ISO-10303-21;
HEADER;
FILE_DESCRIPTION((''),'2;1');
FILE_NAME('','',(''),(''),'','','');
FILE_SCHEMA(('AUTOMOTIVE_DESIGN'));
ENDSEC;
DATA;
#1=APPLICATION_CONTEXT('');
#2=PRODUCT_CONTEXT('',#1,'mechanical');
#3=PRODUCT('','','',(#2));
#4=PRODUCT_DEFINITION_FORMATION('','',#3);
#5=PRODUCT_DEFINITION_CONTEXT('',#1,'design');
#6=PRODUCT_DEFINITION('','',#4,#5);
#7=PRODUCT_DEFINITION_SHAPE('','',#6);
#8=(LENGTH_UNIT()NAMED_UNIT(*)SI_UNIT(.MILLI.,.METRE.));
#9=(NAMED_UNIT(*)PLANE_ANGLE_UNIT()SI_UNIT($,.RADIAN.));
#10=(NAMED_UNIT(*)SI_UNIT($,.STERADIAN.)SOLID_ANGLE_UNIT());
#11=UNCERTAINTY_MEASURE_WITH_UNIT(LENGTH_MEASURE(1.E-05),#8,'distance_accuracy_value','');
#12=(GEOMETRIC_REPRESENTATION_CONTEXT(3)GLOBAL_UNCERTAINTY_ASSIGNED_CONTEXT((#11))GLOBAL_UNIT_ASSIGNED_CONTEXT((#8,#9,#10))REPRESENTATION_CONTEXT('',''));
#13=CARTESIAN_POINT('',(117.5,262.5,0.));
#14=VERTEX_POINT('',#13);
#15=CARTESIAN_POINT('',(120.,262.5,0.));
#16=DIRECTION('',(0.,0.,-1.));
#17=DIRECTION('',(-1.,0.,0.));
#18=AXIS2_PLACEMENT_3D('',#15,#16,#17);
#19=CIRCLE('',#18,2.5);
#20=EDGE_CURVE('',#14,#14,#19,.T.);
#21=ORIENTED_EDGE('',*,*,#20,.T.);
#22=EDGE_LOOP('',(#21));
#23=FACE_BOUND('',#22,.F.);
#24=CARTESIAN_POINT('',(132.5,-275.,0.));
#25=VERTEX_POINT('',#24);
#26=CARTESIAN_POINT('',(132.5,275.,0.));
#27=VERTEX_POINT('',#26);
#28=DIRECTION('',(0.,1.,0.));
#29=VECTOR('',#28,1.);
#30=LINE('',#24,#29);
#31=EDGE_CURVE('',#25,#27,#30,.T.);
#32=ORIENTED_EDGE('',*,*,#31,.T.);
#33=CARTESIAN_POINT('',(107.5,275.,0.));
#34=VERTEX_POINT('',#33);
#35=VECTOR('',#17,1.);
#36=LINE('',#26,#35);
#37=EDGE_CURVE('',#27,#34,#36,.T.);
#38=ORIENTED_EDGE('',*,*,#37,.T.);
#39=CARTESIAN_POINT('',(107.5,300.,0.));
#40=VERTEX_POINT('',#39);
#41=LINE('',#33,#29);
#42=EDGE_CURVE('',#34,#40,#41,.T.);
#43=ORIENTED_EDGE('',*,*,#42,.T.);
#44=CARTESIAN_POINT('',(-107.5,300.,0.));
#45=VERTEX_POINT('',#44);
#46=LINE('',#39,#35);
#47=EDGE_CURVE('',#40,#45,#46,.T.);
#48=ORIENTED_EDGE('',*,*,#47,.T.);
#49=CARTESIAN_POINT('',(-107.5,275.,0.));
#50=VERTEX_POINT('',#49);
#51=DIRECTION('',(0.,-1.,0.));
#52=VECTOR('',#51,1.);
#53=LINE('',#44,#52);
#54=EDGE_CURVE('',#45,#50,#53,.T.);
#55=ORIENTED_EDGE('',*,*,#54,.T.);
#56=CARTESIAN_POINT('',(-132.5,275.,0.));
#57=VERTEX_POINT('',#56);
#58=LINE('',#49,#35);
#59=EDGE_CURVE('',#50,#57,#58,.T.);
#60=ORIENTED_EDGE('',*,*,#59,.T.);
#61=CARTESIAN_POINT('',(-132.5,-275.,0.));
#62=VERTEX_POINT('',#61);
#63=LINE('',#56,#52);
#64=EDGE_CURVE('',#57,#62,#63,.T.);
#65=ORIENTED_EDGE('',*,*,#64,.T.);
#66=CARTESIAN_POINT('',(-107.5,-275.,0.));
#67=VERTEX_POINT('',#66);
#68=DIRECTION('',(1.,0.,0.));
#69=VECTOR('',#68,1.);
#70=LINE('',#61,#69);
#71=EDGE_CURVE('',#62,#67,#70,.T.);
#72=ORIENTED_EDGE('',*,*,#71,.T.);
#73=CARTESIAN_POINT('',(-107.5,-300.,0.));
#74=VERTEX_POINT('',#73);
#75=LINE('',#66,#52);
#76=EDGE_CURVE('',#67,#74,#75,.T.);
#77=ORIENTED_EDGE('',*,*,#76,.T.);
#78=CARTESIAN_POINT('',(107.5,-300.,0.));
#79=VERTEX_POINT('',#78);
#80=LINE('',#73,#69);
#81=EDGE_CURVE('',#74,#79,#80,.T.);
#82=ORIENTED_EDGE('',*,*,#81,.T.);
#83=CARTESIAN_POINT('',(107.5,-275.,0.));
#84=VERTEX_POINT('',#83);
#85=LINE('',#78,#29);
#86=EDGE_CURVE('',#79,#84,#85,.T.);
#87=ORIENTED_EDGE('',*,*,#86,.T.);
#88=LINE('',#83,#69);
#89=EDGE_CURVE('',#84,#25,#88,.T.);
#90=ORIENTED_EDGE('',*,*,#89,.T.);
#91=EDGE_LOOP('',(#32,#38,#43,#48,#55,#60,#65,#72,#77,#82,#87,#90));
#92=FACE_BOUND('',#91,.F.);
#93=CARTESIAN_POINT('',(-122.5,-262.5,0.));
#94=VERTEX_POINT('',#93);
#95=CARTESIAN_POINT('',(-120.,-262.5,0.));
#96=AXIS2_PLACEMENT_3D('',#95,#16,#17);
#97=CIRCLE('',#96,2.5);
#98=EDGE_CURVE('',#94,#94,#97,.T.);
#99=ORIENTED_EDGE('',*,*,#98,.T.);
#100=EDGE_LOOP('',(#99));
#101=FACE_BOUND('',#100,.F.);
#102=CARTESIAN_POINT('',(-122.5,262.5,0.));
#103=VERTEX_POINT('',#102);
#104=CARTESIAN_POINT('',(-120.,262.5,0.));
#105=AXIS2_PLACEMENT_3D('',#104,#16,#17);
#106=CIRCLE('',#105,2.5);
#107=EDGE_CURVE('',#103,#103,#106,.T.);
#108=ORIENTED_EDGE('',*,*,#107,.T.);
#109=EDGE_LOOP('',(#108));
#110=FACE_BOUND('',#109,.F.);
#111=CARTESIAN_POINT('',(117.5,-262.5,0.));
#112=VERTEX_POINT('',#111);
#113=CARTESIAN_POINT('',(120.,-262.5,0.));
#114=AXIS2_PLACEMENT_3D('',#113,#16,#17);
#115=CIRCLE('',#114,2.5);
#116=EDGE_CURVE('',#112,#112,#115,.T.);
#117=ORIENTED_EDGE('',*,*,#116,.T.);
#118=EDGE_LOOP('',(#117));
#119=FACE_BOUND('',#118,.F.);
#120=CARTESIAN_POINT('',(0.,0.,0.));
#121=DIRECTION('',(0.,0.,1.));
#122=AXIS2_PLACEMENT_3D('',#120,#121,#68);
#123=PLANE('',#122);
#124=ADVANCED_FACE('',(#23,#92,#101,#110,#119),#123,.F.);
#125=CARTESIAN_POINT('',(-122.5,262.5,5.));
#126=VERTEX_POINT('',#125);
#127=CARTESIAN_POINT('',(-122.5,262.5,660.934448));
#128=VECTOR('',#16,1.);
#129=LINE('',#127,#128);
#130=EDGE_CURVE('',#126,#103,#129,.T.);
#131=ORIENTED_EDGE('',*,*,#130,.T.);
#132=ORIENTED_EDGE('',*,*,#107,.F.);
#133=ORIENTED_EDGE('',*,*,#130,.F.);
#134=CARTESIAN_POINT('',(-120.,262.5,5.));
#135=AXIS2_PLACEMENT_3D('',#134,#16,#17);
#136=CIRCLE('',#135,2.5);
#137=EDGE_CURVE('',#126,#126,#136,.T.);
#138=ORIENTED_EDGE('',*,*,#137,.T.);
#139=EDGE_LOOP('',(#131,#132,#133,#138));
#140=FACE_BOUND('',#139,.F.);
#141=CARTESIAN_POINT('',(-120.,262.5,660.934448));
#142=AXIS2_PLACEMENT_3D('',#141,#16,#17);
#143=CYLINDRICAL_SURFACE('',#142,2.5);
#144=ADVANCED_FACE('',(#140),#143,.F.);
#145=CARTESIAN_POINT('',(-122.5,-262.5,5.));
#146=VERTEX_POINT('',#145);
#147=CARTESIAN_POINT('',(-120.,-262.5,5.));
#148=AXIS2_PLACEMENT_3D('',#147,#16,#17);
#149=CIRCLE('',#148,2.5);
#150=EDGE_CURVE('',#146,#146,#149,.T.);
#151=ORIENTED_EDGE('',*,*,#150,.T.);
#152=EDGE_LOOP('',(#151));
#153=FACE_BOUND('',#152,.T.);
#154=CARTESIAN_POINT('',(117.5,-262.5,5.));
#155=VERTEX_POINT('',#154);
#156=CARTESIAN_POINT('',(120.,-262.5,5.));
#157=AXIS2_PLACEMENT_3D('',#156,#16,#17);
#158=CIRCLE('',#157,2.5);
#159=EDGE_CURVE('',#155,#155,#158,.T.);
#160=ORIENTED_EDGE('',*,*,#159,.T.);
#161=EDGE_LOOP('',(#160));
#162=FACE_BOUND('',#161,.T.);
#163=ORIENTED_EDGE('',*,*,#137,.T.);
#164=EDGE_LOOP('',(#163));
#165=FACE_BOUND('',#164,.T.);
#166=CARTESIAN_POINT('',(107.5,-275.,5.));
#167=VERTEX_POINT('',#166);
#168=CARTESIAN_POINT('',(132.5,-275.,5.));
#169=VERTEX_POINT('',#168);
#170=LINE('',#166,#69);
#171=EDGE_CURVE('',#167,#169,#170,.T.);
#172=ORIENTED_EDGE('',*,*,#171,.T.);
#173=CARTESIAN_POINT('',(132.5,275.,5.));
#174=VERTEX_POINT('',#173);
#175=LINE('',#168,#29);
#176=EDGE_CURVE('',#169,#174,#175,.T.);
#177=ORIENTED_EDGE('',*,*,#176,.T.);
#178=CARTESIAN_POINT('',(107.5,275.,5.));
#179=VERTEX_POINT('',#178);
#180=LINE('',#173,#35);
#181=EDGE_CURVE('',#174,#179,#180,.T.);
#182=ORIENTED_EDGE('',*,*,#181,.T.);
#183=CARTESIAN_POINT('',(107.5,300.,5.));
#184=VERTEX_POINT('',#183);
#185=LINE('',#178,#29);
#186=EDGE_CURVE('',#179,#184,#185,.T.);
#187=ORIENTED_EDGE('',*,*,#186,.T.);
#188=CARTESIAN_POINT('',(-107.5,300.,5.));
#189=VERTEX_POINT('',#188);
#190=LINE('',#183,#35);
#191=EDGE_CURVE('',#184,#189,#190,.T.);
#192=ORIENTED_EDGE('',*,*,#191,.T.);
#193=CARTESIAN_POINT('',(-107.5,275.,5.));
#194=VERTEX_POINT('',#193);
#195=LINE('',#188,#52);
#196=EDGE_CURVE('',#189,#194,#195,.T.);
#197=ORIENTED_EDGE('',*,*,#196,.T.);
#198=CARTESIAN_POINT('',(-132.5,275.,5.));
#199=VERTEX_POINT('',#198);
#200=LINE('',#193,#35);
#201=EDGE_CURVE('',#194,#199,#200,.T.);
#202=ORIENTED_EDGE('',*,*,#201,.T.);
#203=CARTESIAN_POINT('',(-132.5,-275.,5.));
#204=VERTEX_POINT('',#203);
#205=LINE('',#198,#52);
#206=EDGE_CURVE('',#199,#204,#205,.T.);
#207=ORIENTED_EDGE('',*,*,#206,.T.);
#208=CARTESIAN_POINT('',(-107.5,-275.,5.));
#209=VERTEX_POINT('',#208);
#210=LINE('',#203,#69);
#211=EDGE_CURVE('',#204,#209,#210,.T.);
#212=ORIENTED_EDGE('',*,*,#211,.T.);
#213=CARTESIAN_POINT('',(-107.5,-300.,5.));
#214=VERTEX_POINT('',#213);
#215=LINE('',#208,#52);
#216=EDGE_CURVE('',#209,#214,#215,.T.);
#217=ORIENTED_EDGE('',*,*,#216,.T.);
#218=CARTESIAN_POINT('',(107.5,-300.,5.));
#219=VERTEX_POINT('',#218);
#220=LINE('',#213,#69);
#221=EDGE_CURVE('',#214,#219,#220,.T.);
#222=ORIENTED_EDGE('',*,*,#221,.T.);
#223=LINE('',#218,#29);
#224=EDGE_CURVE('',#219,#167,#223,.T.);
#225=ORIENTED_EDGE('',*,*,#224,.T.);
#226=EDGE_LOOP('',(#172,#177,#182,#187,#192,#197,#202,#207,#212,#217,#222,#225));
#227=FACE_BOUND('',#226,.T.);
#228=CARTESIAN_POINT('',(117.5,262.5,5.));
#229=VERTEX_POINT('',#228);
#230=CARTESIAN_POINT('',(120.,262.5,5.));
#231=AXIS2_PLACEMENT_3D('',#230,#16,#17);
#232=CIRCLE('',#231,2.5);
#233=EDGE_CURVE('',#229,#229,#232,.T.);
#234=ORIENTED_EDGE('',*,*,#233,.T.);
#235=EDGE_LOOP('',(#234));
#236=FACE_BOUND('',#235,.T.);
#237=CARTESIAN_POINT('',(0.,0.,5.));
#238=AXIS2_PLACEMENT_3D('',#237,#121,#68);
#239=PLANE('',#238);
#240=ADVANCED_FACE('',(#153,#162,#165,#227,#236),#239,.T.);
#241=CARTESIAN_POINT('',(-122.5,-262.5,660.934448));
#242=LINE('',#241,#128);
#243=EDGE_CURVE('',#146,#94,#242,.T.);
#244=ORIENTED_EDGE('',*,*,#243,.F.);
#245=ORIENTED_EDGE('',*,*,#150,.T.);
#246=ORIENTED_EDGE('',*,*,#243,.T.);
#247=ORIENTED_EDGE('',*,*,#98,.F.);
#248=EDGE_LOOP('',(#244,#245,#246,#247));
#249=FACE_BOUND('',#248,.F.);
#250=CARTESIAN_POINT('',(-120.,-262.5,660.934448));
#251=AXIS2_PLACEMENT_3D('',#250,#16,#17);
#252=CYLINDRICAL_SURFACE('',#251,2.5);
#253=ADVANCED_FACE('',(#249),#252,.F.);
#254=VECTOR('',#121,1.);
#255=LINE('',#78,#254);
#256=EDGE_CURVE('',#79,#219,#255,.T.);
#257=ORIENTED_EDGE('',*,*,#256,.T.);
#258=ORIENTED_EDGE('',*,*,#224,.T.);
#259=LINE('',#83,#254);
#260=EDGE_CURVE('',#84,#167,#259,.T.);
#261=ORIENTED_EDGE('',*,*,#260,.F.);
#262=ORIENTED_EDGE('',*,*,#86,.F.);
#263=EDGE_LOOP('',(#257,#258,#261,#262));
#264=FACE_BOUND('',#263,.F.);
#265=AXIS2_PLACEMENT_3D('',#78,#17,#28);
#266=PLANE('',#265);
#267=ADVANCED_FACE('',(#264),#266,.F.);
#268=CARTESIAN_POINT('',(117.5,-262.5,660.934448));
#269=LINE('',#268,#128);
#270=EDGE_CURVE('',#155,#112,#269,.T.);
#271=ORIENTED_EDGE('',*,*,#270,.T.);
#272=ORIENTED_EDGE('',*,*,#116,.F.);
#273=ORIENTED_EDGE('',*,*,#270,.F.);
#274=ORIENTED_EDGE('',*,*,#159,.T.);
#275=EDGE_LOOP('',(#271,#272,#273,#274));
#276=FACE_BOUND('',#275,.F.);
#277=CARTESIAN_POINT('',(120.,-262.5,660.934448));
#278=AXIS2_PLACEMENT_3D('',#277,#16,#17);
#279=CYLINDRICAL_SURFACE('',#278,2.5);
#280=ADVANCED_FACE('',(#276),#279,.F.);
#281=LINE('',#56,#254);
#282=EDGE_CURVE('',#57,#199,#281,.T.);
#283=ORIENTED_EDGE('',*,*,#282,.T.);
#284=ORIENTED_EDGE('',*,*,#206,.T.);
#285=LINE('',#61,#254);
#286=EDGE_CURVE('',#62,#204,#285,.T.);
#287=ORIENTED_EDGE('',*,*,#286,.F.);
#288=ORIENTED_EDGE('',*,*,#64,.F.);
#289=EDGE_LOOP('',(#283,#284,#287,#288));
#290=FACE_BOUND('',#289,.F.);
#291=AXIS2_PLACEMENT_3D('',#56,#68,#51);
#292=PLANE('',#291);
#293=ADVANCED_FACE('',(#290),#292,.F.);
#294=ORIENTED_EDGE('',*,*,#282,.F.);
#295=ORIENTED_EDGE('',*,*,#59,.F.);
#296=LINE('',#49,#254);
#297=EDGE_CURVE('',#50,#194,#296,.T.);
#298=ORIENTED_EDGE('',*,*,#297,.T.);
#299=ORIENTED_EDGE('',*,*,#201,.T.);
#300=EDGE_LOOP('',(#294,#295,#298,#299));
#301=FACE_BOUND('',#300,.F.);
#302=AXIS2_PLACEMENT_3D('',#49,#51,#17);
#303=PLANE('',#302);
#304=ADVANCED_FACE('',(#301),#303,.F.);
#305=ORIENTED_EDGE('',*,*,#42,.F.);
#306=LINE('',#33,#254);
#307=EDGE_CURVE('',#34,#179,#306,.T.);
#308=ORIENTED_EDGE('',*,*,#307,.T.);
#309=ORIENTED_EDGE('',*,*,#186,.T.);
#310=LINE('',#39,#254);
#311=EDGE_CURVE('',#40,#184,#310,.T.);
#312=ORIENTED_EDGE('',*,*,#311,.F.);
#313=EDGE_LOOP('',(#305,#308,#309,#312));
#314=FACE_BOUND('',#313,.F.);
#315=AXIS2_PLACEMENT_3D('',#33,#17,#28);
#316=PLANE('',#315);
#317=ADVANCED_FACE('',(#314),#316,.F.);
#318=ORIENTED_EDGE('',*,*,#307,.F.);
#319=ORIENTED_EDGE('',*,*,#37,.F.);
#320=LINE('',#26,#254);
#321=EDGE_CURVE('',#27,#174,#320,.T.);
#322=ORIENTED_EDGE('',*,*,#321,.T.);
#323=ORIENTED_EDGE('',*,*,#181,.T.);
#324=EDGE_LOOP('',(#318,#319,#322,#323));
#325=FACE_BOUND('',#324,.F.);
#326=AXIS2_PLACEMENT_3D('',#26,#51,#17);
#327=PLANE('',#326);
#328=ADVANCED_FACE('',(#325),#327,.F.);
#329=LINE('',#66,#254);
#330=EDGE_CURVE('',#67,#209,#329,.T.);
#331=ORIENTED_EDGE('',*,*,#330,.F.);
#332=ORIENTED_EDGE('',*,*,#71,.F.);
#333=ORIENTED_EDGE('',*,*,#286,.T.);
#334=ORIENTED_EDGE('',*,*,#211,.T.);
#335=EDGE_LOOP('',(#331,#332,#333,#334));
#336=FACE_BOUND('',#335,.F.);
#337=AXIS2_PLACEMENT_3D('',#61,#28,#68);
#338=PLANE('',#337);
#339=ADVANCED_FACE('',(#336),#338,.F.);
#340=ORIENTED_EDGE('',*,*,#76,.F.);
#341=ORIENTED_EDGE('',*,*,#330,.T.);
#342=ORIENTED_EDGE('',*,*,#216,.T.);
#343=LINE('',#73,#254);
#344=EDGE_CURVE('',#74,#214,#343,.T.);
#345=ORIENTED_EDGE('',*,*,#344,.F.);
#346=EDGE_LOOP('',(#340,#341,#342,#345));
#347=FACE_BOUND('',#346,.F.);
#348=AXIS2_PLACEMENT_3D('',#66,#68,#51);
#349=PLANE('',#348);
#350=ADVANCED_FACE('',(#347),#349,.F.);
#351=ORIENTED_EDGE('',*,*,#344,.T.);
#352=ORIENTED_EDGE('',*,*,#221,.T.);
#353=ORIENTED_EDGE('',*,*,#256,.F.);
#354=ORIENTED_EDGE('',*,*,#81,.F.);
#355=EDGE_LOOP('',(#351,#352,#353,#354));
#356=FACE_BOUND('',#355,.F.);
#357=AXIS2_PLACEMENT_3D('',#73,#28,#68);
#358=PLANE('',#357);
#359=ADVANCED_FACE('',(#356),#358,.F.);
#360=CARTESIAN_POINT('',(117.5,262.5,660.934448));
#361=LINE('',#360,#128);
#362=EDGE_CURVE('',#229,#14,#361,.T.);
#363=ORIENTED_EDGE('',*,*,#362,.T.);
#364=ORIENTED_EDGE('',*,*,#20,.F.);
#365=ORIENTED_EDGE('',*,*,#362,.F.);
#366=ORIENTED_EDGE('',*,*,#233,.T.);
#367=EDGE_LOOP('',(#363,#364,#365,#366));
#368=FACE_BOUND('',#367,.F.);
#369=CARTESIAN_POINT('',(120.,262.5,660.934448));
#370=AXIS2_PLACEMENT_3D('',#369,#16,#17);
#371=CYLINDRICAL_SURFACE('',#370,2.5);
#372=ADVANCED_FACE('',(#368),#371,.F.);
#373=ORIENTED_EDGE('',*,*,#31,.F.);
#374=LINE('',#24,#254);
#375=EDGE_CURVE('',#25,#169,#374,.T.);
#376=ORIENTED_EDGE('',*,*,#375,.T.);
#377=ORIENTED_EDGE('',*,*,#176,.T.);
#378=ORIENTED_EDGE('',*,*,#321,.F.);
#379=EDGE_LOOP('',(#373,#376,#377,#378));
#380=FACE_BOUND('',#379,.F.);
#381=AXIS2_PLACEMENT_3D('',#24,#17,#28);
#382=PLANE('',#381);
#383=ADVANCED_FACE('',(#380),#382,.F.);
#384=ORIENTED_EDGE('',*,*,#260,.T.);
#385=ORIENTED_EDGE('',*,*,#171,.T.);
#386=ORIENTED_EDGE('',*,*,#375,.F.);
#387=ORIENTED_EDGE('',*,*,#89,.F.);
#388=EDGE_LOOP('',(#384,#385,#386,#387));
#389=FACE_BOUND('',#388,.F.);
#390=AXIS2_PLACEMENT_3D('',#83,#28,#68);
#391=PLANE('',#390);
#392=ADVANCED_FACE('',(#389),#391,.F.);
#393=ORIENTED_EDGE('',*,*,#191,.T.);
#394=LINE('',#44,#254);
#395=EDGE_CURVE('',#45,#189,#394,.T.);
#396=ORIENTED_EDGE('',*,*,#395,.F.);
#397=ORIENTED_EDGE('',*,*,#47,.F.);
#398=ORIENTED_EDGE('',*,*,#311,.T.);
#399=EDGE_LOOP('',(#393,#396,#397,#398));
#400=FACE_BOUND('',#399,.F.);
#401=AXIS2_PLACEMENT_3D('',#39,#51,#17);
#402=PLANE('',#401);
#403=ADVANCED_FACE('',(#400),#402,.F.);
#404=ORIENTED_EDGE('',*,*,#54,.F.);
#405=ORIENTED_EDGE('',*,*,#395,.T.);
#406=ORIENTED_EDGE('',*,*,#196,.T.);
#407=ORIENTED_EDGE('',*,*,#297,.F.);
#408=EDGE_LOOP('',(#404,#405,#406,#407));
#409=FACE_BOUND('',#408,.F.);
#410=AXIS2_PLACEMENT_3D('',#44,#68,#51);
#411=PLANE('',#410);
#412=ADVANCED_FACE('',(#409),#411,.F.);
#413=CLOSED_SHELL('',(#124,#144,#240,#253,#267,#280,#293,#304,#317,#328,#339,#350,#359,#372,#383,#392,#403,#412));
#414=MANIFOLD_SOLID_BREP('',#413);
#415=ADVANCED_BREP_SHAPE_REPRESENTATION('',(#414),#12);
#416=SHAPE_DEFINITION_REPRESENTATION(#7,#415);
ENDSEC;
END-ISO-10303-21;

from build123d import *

# Parameters (mm, degrees)
F1_DEPTH = 5
F3_D     = 5


with BuildPart() as f1:
    # F0 (on Top) → F1 (new body)
    with BuildSketch(Plane.XY):
        Polygon((107.5, 275), (107.5, 300), (-107.5, 300), (-107.5, 275), (-132.5, 275), (-132.5, -275), (-107.5, -275), (-107.5, -300), (107.5, -300), (107.5, -275), (132.5, -275), (132.5, 275), align=None)
    extrude(amount=F1_DEPTH)

    # F3 (through all)
    with Locations(Plane.XY.offset(5)):
        with Locations((-120, 262.5), (120, 262.5), (-120, -262.5), (120, -262.5)):
            Hole(F3_D / 2)


solid = f1.part
